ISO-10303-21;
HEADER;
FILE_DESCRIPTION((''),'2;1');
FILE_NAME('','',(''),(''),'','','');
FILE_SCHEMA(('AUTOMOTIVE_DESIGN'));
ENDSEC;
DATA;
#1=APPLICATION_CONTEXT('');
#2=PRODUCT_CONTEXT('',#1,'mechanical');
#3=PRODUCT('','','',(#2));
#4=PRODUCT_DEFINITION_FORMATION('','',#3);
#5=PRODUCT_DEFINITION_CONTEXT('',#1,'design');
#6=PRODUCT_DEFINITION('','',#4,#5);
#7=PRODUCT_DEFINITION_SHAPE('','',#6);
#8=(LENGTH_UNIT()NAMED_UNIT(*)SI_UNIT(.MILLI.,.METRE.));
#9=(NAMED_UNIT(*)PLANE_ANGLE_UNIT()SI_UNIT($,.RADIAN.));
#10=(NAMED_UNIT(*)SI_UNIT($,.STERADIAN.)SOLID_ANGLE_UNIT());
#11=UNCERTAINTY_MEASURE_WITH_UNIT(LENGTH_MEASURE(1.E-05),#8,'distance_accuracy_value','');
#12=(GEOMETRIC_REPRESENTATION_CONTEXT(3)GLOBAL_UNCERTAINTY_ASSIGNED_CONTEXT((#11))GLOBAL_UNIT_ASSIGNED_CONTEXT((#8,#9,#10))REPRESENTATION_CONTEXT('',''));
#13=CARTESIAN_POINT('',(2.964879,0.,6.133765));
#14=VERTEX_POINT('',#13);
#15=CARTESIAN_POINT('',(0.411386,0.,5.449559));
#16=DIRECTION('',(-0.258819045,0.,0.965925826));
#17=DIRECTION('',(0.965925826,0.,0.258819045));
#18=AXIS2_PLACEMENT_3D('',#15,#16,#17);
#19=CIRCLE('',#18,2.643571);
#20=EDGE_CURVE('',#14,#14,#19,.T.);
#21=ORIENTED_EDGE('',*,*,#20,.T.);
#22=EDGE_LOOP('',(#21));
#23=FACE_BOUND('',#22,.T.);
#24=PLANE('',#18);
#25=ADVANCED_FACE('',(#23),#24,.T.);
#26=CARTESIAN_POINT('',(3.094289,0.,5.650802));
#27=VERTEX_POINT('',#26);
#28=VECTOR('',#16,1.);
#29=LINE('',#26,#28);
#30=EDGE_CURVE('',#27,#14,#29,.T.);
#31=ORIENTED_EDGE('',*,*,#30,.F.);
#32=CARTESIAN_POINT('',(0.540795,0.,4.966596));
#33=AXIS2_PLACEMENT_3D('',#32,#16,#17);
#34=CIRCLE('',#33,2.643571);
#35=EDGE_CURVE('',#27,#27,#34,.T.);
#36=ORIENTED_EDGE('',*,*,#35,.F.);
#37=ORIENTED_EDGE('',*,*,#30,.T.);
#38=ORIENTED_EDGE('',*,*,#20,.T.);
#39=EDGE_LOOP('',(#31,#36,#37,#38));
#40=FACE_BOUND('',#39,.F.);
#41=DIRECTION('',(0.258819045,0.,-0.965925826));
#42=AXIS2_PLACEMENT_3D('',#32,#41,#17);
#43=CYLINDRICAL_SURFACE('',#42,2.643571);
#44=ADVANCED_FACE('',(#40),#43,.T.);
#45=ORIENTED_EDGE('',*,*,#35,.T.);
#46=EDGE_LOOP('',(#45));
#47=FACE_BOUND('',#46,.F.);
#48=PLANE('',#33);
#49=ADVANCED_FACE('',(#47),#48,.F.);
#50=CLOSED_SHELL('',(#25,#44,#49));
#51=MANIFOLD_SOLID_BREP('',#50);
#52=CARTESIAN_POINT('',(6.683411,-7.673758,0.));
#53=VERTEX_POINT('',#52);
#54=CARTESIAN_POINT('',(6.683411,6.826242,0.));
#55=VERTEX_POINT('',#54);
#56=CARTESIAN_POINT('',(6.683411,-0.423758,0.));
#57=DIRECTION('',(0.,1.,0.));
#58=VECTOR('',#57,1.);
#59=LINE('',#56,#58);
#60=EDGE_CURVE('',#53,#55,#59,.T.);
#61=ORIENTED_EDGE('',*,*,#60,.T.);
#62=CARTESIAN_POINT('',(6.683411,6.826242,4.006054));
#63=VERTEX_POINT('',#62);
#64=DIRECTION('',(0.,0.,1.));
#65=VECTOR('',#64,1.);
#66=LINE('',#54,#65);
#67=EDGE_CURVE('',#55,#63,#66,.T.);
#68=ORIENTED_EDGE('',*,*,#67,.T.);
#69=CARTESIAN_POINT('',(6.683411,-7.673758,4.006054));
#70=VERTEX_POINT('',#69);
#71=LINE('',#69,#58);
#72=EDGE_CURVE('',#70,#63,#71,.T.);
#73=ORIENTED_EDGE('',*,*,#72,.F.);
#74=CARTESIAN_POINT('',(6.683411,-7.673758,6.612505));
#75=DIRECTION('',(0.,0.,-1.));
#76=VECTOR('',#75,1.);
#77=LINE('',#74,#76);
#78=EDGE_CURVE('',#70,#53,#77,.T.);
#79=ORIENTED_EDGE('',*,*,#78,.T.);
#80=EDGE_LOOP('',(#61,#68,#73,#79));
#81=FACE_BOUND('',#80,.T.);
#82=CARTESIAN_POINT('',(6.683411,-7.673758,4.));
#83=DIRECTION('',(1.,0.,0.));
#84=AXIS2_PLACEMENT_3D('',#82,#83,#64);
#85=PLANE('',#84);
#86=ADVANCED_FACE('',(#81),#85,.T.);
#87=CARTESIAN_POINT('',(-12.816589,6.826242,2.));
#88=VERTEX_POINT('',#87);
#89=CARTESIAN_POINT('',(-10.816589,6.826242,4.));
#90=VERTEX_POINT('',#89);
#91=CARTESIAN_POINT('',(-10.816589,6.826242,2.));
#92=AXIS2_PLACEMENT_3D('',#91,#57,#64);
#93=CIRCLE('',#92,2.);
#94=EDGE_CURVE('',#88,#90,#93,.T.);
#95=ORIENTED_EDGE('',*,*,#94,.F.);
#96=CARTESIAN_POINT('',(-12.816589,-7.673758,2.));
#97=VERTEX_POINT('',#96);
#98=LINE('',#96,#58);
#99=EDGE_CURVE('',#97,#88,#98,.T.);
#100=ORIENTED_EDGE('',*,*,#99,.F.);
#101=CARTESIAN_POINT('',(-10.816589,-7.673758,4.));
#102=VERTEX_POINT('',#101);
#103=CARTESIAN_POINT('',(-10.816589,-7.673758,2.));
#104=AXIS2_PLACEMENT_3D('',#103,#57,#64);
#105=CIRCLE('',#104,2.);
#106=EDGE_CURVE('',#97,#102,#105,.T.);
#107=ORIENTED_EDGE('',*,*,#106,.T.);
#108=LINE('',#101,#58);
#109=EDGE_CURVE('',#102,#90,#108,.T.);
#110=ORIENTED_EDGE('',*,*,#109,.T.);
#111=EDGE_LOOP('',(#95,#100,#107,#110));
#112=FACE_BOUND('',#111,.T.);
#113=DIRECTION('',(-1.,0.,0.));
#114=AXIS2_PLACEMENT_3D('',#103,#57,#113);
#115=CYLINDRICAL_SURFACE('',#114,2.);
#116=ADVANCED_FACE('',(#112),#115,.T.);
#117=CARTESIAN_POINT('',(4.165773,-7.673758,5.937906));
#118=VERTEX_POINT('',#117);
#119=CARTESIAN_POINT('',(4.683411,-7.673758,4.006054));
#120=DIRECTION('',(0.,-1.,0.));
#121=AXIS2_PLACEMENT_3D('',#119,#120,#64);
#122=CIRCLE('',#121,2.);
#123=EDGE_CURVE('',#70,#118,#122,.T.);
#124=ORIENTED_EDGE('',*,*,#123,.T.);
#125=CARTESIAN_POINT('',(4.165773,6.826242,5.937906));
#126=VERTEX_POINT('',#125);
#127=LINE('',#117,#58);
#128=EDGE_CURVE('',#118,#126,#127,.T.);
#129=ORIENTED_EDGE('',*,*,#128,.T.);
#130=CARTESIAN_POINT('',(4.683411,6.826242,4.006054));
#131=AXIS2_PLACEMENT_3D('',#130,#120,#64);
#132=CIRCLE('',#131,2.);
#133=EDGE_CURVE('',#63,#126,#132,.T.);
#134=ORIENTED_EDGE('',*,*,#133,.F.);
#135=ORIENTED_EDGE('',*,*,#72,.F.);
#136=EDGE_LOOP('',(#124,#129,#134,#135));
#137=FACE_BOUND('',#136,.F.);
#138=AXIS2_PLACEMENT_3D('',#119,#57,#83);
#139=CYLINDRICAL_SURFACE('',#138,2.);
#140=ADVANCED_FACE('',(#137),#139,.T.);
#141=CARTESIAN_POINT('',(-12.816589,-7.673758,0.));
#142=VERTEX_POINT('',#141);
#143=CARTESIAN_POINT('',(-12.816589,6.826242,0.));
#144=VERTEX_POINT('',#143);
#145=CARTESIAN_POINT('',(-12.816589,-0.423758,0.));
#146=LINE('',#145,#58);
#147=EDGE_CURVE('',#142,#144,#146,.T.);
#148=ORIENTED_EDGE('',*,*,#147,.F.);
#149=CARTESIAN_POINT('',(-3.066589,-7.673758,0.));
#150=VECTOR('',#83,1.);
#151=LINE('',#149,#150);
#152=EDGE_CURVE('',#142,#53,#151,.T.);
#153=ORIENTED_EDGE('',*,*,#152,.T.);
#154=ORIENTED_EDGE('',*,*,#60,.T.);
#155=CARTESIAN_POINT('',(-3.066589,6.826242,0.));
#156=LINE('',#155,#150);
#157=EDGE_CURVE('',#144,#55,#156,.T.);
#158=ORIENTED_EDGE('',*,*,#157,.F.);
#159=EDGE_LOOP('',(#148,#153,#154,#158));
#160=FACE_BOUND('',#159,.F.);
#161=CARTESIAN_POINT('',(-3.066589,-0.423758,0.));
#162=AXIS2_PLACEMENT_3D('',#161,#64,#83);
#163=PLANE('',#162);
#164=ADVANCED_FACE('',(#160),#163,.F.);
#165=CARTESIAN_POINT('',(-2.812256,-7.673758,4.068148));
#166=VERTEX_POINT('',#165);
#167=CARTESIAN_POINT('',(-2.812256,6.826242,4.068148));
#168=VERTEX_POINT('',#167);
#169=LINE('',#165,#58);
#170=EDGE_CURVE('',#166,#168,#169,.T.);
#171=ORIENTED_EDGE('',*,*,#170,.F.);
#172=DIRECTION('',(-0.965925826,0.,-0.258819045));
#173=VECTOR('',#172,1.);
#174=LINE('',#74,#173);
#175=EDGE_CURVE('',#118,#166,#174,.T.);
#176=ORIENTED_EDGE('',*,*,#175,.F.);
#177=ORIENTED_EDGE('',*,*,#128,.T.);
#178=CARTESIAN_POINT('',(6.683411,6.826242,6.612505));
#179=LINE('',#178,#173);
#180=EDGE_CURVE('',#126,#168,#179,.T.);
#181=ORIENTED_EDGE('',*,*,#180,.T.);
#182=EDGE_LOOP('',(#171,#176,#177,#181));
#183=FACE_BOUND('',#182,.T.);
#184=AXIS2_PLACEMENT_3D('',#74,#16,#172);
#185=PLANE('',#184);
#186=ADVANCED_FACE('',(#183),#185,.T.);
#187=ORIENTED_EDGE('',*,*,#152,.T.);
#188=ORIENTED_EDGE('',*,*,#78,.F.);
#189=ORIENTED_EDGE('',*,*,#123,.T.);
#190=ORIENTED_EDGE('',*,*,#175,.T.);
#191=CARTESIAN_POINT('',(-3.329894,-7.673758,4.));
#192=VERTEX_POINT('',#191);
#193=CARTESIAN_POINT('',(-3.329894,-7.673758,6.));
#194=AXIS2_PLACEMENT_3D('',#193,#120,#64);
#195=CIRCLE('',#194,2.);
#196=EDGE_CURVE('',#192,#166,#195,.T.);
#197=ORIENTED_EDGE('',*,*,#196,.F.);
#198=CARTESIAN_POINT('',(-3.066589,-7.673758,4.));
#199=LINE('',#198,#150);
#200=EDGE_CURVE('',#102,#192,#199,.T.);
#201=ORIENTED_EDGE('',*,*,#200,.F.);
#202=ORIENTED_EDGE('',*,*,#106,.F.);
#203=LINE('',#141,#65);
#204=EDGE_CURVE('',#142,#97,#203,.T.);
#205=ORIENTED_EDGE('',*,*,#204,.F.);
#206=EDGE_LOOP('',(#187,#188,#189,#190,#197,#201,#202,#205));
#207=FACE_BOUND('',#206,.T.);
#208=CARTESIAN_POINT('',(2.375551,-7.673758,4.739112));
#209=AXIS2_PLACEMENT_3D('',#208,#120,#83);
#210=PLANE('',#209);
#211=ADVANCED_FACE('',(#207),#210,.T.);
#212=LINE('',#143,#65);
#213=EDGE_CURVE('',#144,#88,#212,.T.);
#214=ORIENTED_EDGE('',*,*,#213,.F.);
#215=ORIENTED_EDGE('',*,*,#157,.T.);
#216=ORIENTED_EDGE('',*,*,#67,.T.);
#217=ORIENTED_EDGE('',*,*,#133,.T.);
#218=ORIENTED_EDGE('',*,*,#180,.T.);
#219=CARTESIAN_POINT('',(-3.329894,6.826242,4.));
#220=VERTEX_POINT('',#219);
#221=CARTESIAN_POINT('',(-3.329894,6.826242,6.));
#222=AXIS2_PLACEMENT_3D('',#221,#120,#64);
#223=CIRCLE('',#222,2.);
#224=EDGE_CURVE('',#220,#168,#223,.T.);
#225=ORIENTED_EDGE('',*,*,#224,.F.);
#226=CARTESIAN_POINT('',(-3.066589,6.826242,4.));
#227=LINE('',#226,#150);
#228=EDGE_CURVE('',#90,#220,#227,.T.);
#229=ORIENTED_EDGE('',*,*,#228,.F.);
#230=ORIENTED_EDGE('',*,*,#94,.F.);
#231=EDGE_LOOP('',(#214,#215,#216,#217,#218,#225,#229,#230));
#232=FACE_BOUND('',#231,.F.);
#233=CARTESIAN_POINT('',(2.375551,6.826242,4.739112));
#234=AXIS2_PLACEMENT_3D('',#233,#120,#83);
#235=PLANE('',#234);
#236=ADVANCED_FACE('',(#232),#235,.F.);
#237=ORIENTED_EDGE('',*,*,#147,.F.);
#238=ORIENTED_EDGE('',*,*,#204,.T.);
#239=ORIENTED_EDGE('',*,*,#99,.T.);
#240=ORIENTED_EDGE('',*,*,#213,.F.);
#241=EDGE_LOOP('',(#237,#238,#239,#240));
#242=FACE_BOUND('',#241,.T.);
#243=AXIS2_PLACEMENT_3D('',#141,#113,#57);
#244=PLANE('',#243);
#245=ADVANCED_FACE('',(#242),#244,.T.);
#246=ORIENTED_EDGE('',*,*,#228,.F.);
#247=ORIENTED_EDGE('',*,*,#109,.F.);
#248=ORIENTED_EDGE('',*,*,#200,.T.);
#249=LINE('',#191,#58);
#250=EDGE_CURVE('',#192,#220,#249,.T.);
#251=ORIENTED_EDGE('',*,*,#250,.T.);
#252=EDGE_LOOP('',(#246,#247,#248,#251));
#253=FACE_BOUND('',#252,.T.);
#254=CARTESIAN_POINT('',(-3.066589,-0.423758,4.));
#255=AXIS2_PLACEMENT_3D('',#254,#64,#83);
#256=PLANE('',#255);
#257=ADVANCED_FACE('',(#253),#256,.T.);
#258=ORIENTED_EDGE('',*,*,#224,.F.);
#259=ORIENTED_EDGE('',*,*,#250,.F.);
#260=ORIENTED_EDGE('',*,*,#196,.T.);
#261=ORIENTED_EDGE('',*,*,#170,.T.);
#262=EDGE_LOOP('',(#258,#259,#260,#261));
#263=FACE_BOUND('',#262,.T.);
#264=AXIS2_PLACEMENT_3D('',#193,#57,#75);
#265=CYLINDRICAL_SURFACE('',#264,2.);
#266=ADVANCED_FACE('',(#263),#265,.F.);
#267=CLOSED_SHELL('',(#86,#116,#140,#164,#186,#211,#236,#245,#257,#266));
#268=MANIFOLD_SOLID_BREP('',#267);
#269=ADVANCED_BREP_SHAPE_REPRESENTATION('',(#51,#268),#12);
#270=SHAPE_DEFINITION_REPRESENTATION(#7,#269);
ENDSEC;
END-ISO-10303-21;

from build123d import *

# Parameters (mm, degrees)
F0_W     = 19.5
F0_H     = 14.5
F1_DEPTH = 4
F3_DEPTH = 14.5
F4_R     = 2
F5_R     = 2.6435709846
F6_DEPTH = 0.5


with BuildPart() as f1:
    # F0 (on Top) → F1 (new body)
    with BuildSketch(Plane.XY):
        with Locations((-3.0665891245, -0.4237584708)):
            Rectangle(F0_W, F0_H)
    extrude(amount=F1_DEPTH)

    # F2 (on face) → F3 (join)
    with BuildSketch(Plane.XZ.offset(7.6737584708)):
        Polygon((-3.0665891245, 4), (6.6834108755, 4), (6.6834108755, 6.6125046262), align=None)
    extrude(amount=-F3_DEPTH)

    # F4
    f4_edges = [f1.edges().sort_by_distance(p)[0] for p in [
        (-3.066589, -0.423758, 4),
        (6.683411, -0.423758, 6.612505),
        (-12.816589, -0.423758, 4),
    ]]
    fillet(f4_edges, radius=F4_R)


with BuildPart() as f6:
    # F5 (on face) → F6 (new body)
    with BuildSketch(Plane(origin=(-1.2054225199, 0, 4.4986980887), x_dir=(0.9659258263, 0, 0.2588190451), z_dir=(-0.2588190451, 0, 0.9659258263))):
        with Locations((1.8078176072, 0)):
            Circle(F5_R)
    extrude(amount=F6_DEPTH)


solid = Compound([f1.part, f6.part])
